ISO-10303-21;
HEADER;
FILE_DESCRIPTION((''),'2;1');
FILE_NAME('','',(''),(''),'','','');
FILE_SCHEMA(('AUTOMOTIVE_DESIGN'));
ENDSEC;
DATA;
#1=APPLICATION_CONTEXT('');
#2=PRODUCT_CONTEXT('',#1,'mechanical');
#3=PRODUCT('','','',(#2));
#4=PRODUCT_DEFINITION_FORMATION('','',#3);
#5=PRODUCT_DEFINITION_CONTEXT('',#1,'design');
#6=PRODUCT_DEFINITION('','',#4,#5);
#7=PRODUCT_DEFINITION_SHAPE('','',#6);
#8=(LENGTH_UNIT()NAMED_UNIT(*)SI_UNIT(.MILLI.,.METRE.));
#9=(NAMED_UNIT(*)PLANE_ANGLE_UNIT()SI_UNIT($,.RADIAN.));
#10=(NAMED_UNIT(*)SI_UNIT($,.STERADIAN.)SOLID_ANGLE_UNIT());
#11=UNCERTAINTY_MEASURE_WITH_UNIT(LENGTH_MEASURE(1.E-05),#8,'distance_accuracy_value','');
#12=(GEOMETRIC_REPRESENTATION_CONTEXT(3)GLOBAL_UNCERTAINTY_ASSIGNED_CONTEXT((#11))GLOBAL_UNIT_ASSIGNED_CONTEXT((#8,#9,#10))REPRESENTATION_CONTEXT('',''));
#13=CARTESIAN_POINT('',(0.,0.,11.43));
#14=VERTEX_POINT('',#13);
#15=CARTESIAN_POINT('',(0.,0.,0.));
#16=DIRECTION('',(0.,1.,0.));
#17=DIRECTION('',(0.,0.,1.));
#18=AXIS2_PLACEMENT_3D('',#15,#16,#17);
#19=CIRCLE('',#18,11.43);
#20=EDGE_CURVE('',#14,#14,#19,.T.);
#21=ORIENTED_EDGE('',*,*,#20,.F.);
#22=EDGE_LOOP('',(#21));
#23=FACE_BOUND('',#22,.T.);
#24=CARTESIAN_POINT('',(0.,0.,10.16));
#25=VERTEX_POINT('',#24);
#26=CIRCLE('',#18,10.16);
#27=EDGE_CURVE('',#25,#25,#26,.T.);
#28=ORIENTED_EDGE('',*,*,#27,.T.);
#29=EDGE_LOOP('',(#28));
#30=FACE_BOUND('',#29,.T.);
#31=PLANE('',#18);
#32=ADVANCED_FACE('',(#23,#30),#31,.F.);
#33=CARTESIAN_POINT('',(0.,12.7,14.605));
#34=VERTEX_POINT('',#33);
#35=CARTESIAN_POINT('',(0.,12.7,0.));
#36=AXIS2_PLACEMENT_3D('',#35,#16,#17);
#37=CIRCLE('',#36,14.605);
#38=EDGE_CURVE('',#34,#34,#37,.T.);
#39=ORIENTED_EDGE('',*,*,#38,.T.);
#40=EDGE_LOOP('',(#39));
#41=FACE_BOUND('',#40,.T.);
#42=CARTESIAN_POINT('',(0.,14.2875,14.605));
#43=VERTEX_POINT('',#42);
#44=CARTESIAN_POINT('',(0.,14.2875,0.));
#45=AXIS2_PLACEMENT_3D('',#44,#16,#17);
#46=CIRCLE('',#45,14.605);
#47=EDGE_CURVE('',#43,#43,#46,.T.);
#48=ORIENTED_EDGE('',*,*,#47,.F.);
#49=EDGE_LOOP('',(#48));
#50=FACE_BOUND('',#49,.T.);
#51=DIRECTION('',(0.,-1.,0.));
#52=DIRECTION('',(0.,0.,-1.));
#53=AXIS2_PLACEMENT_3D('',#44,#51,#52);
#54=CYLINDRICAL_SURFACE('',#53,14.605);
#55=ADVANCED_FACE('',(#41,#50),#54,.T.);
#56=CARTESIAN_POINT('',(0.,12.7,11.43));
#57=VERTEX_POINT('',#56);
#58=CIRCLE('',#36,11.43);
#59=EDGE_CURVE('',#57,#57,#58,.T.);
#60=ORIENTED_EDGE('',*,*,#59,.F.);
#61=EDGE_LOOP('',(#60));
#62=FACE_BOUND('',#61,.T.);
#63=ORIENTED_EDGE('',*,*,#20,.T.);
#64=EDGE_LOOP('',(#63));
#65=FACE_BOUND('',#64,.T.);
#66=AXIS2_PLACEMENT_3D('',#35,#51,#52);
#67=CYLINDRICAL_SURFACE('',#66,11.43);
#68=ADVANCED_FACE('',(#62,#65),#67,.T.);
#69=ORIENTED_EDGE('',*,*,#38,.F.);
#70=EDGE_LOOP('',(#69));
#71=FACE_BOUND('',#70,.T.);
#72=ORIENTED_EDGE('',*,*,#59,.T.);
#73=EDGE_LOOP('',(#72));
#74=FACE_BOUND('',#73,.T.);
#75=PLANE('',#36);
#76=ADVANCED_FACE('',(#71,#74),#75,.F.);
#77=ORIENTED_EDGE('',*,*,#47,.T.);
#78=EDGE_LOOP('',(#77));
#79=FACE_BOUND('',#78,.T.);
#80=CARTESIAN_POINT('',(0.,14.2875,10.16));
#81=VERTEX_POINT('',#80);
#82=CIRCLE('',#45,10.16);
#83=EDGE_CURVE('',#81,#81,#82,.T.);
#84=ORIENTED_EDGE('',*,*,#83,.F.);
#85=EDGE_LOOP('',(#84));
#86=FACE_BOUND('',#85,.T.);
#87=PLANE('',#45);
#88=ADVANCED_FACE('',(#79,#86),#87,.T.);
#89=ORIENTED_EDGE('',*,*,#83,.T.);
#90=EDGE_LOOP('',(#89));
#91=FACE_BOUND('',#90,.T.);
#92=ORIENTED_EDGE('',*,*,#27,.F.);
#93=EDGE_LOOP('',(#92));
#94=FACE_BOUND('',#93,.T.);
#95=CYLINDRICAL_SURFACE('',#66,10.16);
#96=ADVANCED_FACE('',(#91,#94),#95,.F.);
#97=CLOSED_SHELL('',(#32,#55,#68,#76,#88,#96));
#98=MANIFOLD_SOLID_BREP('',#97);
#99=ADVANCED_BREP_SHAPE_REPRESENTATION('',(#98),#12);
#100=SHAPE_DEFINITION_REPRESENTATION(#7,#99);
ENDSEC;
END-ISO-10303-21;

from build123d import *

# Parameters (mm, degrees)
SKETCH1_R           = 11.43
SKETCH1_R_2         = 10.16
BOSS_EXTRUDE1_DEPTH = 12.7
SKETCH2_R           = 14.605
SKETCH2_R_2         = 10.16
BOSS_EXTRUDE2_DEPTH = 1.5875


with BuildPart() as part:
    # Sketch1 → Boss-Extrude1 (new body)
    with BuildSketch(Plane(origin=(0, 0, 0), x_dir=(1, 0, 0), z_dir=(0, 1, 0))):
        with Locations(Location((0, 0, 0), (0, 0, 270))):
            Circle(SKETCH1_R)
        with Locations(Location((0, 0, 0), (0, 0, 270))):
            Circle(SKETCH1_R_2, mode=Mode.SUBTRACT)
    extrude(amount=BOSS_EXTRUDE1_DEPTH)

    # Sketch2 → Boss-Extrude2 (add)
    with BuildSketch(Plane(origin=(0, 12.7, 0), x_dir=(1, 0, 0), z_dir=(0, 1, 0))):
        with Locations(Location((0, 0, 0), (0, 0, 270))):
            Circle(SKETCH2_R)
        with Locations(Location((0, 0, 0), (0, 0, 270))):
            Circle(SKETCH2_R_2, mode=Mode.SUBTRACT)
    extrude(amount=BOSS_EXTRUDE2_DEPTH)


solid = part.part
